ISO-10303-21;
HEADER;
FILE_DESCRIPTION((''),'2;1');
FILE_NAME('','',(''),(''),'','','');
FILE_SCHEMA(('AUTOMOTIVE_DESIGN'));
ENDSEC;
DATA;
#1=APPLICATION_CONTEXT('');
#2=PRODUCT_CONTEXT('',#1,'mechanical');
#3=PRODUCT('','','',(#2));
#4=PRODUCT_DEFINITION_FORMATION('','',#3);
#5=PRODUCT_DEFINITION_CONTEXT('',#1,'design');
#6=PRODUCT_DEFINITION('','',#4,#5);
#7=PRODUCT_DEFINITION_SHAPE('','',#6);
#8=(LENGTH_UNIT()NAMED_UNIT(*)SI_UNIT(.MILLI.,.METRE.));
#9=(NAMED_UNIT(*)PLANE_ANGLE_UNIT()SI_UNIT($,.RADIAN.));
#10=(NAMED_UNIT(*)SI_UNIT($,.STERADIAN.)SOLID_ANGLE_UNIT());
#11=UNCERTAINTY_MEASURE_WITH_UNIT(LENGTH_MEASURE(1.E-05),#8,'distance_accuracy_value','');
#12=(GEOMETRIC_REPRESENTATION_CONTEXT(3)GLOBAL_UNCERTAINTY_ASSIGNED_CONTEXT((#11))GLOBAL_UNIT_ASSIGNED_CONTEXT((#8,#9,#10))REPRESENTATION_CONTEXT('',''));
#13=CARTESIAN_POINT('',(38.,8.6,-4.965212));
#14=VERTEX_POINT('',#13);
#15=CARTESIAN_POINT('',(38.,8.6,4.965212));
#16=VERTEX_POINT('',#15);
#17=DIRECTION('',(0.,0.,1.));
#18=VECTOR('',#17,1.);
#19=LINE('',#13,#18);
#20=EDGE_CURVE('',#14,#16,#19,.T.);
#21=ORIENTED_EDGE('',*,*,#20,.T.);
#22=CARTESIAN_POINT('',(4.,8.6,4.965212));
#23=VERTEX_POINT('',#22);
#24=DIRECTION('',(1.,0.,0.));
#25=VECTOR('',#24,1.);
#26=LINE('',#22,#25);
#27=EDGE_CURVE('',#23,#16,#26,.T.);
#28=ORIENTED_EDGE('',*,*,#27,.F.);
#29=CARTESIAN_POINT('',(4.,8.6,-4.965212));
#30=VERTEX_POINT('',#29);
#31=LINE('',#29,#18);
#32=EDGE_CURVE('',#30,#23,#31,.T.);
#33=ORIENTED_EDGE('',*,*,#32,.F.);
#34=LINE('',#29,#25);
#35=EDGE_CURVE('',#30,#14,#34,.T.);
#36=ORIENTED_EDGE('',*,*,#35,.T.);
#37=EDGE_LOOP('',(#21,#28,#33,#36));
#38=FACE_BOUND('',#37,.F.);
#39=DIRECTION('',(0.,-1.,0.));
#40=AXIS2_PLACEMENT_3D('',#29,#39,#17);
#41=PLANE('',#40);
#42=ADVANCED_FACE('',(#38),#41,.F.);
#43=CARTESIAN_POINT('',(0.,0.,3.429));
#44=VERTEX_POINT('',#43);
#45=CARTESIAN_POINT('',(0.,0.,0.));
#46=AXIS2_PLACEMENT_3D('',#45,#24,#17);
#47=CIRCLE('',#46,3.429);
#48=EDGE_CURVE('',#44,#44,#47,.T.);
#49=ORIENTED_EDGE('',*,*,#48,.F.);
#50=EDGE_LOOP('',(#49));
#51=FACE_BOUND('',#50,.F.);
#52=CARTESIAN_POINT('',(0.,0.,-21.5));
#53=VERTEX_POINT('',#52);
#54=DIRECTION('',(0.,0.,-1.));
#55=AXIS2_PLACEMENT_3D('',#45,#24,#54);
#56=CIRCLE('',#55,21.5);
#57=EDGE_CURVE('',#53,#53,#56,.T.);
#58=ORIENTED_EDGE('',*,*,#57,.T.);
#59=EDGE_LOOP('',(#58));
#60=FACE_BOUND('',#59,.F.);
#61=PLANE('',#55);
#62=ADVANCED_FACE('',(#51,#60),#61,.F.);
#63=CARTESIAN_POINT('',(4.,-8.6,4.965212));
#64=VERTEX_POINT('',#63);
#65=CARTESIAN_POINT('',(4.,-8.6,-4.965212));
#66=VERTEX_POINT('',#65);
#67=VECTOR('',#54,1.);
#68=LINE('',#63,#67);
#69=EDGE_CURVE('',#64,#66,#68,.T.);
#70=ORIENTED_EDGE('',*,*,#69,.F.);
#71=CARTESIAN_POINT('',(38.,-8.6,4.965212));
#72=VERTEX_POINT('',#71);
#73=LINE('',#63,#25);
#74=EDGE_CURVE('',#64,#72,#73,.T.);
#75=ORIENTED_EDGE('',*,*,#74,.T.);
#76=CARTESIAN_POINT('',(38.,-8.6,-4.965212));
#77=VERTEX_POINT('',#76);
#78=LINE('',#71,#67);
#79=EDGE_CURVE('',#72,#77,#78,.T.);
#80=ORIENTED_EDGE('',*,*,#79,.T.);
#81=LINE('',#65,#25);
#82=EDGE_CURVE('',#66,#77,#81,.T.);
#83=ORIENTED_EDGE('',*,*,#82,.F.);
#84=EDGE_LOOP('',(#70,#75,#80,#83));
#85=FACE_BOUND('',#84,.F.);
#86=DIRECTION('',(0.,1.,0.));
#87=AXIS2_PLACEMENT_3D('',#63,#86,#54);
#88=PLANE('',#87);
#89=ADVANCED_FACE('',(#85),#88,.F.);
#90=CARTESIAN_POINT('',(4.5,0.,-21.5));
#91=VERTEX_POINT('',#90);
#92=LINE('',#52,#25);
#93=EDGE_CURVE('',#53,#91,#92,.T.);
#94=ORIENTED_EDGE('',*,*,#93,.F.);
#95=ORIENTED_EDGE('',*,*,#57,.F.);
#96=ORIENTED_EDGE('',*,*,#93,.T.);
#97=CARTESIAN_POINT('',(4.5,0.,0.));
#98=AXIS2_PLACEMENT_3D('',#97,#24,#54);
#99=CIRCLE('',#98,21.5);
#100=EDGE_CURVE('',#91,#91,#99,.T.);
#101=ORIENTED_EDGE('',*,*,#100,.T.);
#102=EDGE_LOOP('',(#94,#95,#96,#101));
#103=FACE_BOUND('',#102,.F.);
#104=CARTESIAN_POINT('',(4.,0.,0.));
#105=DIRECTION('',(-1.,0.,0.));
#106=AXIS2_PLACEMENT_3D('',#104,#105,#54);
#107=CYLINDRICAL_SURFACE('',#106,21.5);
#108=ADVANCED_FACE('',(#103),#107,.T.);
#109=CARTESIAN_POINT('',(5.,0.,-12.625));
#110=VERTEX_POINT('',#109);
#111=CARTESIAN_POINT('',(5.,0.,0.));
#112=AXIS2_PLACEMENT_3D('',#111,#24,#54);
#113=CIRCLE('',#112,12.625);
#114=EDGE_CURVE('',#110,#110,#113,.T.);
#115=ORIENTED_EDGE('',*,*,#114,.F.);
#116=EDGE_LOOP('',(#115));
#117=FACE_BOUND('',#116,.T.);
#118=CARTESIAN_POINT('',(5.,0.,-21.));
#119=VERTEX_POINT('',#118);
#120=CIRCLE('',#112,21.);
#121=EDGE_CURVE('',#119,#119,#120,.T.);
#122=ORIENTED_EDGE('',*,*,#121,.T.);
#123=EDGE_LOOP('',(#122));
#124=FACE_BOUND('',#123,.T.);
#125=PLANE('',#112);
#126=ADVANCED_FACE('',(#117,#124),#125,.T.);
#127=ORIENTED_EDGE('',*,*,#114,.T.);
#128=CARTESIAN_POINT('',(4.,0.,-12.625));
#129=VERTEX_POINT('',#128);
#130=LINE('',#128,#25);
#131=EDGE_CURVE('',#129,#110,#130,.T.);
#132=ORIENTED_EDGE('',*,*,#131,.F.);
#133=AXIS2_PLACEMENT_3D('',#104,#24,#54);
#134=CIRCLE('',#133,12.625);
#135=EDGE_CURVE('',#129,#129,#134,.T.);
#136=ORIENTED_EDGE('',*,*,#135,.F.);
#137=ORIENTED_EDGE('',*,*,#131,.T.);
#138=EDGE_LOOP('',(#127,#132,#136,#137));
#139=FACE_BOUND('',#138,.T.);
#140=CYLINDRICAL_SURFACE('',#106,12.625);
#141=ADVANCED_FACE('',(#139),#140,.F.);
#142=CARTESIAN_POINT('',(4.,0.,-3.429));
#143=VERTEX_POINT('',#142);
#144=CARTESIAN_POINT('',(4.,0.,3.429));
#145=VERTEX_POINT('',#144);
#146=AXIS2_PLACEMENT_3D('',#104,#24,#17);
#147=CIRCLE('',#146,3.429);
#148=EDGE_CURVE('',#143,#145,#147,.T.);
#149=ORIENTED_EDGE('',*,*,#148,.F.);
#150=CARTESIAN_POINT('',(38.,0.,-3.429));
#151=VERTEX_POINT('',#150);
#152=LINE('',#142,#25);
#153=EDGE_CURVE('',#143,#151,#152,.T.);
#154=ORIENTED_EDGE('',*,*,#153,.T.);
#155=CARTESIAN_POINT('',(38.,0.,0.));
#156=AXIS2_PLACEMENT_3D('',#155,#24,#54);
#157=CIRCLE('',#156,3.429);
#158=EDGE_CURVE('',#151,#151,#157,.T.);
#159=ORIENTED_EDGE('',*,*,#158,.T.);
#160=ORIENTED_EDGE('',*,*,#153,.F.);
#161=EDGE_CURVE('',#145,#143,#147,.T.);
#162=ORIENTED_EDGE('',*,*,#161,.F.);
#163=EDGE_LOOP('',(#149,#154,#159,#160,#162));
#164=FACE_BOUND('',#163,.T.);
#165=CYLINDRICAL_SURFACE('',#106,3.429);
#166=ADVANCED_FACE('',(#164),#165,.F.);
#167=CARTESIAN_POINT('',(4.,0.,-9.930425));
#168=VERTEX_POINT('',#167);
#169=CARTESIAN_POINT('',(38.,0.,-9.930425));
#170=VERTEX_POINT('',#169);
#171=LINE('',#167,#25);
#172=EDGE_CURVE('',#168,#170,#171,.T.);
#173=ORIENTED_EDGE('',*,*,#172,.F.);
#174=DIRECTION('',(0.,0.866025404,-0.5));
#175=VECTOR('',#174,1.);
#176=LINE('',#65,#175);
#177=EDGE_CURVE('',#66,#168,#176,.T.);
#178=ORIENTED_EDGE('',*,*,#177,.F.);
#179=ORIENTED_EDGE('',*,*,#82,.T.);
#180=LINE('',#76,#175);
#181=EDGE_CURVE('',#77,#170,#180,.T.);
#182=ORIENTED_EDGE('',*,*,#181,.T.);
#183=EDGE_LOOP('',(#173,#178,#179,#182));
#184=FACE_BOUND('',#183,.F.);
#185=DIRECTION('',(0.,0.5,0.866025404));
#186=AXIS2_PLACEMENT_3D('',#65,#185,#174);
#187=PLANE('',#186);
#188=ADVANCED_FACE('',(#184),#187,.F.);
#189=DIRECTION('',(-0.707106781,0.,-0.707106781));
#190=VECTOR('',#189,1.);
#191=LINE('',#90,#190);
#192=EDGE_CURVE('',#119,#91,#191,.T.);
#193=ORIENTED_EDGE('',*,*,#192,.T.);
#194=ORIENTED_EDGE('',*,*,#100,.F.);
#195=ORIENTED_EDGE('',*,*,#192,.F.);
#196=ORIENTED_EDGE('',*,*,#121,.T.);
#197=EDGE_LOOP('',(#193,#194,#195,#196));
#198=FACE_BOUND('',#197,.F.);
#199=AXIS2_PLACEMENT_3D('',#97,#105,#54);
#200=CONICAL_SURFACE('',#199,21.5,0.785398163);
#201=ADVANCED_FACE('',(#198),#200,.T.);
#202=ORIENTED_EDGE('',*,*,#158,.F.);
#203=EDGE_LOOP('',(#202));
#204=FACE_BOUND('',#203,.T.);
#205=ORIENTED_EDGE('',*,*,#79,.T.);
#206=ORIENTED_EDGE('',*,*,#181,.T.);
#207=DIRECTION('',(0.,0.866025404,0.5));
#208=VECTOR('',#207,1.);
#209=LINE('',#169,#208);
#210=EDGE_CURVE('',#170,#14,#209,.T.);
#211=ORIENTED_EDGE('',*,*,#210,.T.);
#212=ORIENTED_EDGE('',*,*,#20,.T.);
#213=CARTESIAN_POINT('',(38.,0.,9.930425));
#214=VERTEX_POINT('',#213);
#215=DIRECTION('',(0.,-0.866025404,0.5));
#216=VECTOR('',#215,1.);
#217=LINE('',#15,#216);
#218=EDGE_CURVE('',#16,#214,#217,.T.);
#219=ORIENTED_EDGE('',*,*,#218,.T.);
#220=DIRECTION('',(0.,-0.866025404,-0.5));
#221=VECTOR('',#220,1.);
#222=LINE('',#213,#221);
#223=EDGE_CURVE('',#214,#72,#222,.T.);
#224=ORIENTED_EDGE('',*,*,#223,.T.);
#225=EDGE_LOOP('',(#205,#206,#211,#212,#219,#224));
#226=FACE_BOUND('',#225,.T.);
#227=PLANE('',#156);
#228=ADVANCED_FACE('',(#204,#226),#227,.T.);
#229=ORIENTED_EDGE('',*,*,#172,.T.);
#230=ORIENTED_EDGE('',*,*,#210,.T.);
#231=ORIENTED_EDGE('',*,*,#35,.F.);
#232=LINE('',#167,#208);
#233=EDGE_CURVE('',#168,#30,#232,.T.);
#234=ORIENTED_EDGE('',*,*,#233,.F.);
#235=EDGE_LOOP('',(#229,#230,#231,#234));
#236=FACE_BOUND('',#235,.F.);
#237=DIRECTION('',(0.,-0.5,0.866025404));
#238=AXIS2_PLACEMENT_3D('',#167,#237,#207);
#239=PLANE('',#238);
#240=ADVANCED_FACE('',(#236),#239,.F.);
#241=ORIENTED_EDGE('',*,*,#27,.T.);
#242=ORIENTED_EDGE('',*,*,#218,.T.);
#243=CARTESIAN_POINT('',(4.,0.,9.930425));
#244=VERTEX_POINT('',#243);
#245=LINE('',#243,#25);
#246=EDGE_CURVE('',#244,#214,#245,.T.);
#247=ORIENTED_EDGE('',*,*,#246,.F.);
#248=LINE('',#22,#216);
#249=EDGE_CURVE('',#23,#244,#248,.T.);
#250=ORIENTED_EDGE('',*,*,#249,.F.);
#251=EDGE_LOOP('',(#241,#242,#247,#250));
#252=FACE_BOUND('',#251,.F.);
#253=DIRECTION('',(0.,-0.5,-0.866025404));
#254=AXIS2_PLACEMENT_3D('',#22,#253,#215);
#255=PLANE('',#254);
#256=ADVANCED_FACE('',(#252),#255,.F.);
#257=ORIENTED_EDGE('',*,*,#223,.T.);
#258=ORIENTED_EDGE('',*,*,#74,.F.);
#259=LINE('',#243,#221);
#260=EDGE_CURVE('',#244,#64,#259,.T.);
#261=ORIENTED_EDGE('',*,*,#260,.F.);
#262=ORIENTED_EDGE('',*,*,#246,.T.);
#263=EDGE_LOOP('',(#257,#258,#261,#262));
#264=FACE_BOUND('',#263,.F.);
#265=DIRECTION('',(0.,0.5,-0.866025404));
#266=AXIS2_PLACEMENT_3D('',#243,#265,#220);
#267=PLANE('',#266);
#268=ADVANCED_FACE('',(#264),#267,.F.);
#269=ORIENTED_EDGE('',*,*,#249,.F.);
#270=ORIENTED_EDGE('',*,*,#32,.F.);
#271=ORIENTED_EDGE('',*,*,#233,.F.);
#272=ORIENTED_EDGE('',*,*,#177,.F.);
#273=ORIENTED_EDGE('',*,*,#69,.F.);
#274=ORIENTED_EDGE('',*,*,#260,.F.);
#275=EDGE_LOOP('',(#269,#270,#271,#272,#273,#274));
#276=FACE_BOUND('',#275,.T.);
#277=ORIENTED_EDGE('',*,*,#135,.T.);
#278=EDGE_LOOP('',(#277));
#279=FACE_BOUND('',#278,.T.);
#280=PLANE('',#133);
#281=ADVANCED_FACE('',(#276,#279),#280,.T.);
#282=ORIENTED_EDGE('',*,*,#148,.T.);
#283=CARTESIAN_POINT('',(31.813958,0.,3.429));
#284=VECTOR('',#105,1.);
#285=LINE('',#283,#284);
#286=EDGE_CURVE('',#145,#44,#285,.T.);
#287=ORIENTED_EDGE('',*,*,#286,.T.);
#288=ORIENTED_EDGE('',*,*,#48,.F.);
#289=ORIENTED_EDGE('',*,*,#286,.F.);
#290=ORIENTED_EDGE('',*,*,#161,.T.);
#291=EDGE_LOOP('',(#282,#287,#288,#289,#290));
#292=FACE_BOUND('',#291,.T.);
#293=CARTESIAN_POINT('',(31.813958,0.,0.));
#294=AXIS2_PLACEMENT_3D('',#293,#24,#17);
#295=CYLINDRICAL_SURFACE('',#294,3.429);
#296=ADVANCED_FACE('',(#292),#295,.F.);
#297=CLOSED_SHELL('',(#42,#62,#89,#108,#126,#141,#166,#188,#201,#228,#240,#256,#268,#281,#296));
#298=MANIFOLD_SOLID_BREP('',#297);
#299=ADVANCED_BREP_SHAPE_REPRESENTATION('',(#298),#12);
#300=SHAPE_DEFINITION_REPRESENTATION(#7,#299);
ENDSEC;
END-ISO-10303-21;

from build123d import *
from build123d.topology import SkipClean

# Parameters (mm, degrees)
SKETCH1_R               = 21.5
BOSS_EXTRUDE1_DEPTH     = 4
SKETCH2_R               = 21.5
SKETCH2_R_2             = 12.625
BOSS_EXTRUDE2_DEPTH     = 1
CUT_EXTRUDE1_DEPTH      = 31.813957876
CUT_EXTRUDE1_DEPTH_BACK = 31.813957876
SKETCH3_R               = 3.429
SKETCH4_R               = 3.429
BOSS_EXTRUDE3_DEPTH     = 34
CHAMFER1_SIZE           = 0.5


with BuildPart() as part:
    # Sketch1 → Boss-Extrude1 (new body)
    with BuildSketch(Plane(origin=(0, 0, 0), x_dir=(0, 0, -1), z_dir=(1, 0, 0))):
        Circle(SKETCH1_R)
    extrude(amount=BOSS_EXTRUDE1_DEPTH)

    # Sketch2 → Boss-Extrude2 (add)
    with BuildSketch(Plane(origin=(4, 0, 0), x_dir=(0, 0, -1), z_dir=(1, 0, 0))):
        Circle(SKETCH2_R)
        Circle(SKETCH2_R_2, mode=Mode.SUBTRACT)
    extrude(amount=BOSS_EXTRUDE2_DEPTH)

    # Sketch3 → Cut-Extrude1 (cut, two sides: drawn at the far end of the back side and taken through both)
    with BuildSketch(Plane.ZY.offset(-CUT_EXTRUDE1_DEPTH_BACK)):
        Circle(SKETCH3_R)
    extrude(amount=CUT_EXTRUDE1_DEPTH + CUT_EXTRUDE1_DEPTH_BACK, mode=Mode.SUBTRACT)

    # Sketch4 → Boss-Extrude3 (add)
    with SkipClean():  # the faces are left unmerged after this step: merging them gives an invalid solid
        with BuildSketch(Plane(origin=(4, 0, 0), x_dir=(0, 0, -1), z_dir=(1, 0, 0))):
            Polygon((4.965212315, -8.6), (9.93042463, 0), (4.965212315, 8.6), (-4.965212315, 8.6), (-9.93042463, 0), (-4.965212315, -8.6), align=None)
            Circle(SKETCH4_R, mode=Mode.SUBTRACT)
        extrude(amount=BOSS_EXTRUDE3_DEPTH)

    # Chamfer1
    chamfer1_edges = [part.edges().sort_by_distance(p)[0] for p in [
        (5, 0, 21.5),
    ]]
    chamfer(chamfer1_edges, length=CHAMFER1_SIZE)


solid = part.part
